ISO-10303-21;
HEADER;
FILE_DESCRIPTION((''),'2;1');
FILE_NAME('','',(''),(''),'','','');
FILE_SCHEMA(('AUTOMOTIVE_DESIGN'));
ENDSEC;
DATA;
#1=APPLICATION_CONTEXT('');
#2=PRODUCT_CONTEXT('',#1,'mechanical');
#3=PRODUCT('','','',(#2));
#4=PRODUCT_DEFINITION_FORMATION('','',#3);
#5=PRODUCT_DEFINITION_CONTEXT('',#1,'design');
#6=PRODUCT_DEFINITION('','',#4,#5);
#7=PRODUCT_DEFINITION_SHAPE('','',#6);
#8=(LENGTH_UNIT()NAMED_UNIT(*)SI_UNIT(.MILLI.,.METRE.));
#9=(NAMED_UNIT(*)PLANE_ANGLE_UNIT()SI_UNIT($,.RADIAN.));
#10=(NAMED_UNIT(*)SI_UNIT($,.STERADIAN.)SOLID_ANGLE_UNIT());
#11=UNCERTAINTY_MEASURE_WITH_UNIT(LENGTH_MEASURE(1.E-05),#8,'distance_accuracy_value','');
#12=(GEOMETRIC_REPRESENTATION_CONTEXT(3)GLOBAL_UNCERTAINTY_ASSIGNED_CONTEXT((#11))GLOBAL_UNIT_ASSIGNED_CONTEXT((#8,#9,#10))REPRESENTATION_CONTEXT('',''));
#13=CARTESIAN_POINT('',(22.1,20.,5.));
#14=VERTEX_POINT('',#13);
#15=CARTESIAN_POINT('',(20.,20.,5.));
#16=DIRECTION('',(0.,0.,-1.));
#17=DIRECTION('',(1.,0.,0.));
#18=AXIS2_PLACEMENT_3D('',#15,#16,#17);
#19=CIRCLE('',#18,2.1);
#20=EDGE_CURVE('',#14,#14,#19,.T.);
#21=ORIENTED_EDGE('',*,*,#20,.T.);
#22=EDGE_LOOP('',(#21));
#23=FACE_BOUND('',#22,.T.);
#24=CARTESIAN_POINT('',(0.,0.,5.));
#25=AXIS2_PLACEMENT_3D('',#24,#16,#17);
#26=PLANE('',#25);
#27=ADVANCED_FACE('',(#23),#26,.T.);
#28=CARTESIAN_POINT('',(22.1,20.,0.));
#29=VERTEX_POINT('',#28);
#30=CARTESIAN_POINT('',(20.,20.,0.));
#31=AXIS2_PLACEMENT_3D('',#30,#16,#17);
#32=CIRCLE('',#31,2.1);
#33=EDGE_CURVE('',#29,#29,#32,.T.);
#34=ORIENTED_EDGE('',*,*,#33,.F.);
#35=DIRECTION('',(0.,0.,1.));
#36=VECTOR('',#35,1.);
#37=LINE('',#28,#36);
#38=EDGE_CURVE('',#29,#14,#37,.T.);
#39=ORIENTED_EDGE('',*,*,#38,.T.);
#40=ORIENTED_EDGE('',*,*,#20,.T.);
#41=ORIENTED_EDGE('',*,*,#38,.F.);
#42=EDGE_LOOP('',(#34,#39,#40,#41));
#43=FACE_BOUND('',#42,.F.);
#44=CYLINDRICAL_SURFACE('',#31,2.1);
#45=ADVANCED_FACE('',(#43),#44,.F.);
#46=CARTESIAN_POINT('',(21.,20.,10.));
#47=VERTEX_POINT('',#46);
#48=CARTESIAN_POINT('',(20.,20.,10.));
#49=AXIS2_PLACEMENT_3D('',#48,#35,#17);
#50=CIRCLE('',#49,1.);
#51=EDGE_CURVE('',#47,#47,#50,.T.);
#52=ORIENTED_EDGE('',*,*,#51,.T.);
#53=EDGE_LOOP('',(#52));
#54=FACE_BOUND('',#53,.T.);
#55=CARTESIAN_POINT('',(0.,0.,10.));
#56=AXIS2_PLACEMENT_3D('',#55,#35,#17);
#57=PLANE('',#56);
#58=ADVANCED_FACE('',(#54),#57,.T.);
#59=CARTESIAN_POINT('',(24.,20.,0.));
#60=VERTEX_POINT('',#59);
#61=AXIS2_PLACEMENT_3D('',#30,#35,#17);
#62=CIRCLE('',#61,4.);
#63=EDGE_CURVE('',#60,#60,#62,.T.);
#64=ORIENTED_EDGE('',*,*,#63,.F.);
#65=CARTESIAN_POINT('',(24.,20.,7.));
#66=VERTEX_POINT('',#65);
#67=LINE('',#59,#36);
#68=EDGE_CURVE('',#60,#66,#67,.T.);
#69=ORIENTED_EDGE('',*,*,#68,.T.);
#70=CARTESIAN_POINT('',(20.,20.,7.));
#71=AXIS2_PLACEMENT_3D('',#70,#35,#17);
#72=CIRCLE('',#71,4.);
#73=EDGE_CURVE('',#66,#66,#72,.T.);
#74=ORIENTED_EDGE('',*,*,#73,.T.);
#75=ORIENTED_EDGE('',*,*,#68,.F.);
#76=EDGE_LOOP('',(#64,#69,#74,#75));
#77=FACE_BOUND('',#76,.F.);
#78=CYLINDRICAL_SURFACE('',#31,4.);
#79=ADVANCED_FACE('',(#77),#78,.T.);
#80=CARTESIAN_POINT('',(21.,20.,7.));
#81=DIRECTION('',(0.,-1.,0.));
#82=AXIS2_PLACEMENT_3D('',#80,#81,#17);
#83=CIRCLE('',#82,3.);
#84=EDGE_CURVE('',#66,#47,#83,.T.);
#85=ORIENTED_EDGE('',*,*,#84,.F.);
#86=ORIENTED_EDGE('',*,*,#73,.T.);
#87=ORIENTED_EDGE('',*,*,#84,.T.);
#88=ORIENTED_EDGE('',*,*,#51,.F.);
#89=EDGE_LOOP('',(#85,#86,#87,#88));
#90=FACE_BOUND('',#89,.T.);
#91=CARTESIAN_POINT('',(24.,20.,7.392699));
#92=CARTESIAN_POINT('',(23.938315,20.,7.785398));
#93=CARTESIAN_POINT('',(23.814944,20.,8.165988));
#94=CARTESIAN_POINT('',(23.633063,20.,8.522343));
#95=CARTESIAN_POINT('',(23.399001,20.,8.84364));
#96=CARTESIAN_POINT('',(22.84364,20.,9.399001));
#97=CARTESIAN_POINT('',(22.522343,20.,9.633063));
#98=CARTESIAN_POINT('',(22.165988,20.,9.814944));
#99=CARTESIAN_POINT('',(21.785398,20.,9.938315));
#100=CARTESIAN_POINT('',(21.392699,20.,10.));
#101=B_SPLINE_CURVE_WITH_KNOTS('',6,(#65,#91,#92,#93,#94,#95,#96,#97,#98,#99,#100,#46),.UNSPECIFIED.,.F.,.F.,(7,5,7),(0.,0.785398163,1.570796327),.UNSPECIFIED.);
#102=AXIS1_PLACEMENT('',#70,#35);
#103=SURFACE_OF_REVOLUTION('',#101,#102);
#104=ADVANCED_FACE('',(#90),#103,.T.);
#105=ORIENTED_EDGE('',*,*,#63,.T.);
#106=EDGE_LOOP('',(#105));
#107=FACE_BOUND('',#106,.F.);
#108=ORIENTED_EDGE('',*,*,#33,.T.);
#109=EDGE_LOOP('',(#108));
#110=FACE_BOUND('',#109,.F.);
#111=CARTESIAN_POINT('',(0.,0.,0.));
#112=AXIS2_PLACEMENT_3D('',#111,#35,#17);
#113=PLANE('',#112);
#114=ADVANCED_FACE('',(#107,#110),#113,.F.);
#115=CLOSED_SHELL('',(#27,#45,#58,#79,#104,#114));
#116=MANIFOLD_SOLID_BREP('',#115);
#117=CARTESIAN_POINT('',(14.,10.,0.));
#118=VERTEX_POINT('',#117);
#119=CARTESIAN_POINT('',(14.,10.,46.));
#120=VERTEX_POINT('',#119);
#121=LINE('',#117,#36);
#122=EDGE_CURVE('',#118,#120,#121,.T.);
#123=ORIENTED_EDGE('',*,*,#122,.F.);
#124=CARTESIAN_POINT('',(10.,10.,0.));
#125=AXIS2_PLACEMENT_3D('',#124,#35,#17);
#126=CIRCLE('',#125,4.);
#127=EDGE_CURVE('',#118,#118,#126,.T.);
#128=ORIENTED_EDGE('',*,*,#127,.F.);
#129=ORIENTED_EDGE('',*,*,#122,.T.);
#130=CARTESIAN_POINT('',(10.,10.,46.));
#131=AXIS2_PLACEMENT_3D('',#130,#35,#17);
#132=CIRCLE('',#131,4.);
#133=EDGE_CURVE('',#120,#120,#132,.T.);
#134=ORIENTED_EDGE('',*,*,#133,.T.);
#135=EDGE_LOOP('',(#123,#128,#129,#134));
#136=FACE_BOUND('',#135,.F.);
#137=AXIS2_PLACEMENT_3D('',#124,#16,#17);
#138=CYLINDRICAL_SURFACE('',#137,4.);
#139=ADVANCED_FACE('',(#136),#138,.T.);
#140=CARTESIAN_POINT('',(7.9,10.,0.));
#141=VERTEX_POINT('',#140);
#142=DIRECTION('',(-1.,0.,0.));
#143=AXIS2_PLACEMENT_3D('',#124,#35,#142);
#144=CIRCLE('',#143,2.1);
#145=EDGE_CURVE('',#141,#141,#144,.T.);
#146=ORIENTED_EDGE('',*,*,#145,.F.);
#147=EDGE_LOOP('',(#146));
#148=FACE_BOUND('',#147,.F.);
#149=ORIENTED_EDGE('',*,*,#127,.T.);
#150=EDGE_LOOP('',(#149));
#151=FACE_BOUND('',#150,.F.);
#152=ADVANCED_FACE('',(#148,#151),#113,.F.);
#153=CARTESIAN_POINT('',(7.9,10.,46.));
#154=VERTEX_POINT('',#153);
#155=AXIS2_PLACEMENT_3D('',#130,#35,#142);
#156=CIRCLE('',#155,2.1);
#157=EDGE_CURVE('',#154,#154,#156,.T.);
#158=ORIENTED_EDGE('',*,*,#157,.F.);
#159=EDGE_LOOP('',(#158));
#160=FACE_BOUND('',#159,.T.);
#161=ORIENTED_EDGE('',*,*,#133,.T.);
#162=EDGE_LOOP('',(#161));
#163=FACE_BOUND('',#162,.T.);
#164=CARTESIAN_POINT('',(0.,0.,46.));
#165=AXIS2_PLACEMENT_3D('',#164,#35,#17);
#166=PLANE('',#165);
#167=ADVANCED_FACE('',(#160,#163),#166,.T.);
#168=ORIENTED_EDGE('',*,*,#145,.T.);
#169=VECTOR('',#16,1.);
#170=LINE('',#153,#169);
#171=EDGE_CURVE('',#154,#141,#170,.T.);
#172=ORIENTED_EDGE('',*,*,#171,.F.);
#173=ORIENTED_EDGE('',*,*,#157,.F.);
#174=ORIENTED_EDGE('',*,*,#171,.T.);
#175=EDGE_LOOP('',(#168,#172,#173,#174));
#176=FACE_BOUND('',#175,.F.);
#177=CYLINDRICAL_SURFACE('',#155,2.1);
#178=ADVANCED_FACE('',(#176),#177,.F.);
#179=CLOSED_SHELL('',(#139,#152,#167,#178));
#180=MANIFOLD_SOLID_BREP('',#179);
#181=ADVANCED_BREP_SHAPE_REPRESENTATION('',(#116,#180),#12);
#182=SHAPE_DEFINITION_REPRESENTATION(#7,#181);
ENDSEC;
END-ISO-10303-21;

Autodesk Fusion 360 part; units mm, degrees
sketch "Sketch1" plane through (0, 0, 0) normal (0, 0, 1) x (1, 0, 0)
  circle A0 centre (10, 10) radius 4
  dimension "d2" = 8
extrude "Extrude1" add sketch "Sketch1" along normal blind 46 makes body 1
sketch "Sketch2" plane through (0, 0, 46) normal (0, 0, 1) x (-1, 0, 0)
  circle A0 centre (-10, -10) radius 4
  circle A1 centre (-10, -10) radius 2.1
  dimension "d5" = 4.2
extrude "Extrude2" cut sketch "Sketch2" against normal blind 70 contours A1 bodies 1
sketch "Sketch3" plane through (0, 0, 0) normal (0, 0, 1) x (1, 0, 0)
  circle A0 centre (20, 20) radius 4
  dimension "d8" = 8
extrude "Extrude3" add sketch "Sketch3" along normal blind 10 separate body makes body 2
fillet "Fillet1" radius 3 1 edges at (16.2707, 18.5535, 10) on bodies 2
sketch "Sketch4" plane through (0, 0, 0) normal (0, 0, -1) x (1, 0, 0)
  circle A0 centre (20, -20) radius 4
  circle A1 centre (20, -20) radius 2.1
  dimension "d13" = 4.2
extrude "Extrude4" cut sketch "Sketch4" against normal blind 5 contours A1 bodies 2
